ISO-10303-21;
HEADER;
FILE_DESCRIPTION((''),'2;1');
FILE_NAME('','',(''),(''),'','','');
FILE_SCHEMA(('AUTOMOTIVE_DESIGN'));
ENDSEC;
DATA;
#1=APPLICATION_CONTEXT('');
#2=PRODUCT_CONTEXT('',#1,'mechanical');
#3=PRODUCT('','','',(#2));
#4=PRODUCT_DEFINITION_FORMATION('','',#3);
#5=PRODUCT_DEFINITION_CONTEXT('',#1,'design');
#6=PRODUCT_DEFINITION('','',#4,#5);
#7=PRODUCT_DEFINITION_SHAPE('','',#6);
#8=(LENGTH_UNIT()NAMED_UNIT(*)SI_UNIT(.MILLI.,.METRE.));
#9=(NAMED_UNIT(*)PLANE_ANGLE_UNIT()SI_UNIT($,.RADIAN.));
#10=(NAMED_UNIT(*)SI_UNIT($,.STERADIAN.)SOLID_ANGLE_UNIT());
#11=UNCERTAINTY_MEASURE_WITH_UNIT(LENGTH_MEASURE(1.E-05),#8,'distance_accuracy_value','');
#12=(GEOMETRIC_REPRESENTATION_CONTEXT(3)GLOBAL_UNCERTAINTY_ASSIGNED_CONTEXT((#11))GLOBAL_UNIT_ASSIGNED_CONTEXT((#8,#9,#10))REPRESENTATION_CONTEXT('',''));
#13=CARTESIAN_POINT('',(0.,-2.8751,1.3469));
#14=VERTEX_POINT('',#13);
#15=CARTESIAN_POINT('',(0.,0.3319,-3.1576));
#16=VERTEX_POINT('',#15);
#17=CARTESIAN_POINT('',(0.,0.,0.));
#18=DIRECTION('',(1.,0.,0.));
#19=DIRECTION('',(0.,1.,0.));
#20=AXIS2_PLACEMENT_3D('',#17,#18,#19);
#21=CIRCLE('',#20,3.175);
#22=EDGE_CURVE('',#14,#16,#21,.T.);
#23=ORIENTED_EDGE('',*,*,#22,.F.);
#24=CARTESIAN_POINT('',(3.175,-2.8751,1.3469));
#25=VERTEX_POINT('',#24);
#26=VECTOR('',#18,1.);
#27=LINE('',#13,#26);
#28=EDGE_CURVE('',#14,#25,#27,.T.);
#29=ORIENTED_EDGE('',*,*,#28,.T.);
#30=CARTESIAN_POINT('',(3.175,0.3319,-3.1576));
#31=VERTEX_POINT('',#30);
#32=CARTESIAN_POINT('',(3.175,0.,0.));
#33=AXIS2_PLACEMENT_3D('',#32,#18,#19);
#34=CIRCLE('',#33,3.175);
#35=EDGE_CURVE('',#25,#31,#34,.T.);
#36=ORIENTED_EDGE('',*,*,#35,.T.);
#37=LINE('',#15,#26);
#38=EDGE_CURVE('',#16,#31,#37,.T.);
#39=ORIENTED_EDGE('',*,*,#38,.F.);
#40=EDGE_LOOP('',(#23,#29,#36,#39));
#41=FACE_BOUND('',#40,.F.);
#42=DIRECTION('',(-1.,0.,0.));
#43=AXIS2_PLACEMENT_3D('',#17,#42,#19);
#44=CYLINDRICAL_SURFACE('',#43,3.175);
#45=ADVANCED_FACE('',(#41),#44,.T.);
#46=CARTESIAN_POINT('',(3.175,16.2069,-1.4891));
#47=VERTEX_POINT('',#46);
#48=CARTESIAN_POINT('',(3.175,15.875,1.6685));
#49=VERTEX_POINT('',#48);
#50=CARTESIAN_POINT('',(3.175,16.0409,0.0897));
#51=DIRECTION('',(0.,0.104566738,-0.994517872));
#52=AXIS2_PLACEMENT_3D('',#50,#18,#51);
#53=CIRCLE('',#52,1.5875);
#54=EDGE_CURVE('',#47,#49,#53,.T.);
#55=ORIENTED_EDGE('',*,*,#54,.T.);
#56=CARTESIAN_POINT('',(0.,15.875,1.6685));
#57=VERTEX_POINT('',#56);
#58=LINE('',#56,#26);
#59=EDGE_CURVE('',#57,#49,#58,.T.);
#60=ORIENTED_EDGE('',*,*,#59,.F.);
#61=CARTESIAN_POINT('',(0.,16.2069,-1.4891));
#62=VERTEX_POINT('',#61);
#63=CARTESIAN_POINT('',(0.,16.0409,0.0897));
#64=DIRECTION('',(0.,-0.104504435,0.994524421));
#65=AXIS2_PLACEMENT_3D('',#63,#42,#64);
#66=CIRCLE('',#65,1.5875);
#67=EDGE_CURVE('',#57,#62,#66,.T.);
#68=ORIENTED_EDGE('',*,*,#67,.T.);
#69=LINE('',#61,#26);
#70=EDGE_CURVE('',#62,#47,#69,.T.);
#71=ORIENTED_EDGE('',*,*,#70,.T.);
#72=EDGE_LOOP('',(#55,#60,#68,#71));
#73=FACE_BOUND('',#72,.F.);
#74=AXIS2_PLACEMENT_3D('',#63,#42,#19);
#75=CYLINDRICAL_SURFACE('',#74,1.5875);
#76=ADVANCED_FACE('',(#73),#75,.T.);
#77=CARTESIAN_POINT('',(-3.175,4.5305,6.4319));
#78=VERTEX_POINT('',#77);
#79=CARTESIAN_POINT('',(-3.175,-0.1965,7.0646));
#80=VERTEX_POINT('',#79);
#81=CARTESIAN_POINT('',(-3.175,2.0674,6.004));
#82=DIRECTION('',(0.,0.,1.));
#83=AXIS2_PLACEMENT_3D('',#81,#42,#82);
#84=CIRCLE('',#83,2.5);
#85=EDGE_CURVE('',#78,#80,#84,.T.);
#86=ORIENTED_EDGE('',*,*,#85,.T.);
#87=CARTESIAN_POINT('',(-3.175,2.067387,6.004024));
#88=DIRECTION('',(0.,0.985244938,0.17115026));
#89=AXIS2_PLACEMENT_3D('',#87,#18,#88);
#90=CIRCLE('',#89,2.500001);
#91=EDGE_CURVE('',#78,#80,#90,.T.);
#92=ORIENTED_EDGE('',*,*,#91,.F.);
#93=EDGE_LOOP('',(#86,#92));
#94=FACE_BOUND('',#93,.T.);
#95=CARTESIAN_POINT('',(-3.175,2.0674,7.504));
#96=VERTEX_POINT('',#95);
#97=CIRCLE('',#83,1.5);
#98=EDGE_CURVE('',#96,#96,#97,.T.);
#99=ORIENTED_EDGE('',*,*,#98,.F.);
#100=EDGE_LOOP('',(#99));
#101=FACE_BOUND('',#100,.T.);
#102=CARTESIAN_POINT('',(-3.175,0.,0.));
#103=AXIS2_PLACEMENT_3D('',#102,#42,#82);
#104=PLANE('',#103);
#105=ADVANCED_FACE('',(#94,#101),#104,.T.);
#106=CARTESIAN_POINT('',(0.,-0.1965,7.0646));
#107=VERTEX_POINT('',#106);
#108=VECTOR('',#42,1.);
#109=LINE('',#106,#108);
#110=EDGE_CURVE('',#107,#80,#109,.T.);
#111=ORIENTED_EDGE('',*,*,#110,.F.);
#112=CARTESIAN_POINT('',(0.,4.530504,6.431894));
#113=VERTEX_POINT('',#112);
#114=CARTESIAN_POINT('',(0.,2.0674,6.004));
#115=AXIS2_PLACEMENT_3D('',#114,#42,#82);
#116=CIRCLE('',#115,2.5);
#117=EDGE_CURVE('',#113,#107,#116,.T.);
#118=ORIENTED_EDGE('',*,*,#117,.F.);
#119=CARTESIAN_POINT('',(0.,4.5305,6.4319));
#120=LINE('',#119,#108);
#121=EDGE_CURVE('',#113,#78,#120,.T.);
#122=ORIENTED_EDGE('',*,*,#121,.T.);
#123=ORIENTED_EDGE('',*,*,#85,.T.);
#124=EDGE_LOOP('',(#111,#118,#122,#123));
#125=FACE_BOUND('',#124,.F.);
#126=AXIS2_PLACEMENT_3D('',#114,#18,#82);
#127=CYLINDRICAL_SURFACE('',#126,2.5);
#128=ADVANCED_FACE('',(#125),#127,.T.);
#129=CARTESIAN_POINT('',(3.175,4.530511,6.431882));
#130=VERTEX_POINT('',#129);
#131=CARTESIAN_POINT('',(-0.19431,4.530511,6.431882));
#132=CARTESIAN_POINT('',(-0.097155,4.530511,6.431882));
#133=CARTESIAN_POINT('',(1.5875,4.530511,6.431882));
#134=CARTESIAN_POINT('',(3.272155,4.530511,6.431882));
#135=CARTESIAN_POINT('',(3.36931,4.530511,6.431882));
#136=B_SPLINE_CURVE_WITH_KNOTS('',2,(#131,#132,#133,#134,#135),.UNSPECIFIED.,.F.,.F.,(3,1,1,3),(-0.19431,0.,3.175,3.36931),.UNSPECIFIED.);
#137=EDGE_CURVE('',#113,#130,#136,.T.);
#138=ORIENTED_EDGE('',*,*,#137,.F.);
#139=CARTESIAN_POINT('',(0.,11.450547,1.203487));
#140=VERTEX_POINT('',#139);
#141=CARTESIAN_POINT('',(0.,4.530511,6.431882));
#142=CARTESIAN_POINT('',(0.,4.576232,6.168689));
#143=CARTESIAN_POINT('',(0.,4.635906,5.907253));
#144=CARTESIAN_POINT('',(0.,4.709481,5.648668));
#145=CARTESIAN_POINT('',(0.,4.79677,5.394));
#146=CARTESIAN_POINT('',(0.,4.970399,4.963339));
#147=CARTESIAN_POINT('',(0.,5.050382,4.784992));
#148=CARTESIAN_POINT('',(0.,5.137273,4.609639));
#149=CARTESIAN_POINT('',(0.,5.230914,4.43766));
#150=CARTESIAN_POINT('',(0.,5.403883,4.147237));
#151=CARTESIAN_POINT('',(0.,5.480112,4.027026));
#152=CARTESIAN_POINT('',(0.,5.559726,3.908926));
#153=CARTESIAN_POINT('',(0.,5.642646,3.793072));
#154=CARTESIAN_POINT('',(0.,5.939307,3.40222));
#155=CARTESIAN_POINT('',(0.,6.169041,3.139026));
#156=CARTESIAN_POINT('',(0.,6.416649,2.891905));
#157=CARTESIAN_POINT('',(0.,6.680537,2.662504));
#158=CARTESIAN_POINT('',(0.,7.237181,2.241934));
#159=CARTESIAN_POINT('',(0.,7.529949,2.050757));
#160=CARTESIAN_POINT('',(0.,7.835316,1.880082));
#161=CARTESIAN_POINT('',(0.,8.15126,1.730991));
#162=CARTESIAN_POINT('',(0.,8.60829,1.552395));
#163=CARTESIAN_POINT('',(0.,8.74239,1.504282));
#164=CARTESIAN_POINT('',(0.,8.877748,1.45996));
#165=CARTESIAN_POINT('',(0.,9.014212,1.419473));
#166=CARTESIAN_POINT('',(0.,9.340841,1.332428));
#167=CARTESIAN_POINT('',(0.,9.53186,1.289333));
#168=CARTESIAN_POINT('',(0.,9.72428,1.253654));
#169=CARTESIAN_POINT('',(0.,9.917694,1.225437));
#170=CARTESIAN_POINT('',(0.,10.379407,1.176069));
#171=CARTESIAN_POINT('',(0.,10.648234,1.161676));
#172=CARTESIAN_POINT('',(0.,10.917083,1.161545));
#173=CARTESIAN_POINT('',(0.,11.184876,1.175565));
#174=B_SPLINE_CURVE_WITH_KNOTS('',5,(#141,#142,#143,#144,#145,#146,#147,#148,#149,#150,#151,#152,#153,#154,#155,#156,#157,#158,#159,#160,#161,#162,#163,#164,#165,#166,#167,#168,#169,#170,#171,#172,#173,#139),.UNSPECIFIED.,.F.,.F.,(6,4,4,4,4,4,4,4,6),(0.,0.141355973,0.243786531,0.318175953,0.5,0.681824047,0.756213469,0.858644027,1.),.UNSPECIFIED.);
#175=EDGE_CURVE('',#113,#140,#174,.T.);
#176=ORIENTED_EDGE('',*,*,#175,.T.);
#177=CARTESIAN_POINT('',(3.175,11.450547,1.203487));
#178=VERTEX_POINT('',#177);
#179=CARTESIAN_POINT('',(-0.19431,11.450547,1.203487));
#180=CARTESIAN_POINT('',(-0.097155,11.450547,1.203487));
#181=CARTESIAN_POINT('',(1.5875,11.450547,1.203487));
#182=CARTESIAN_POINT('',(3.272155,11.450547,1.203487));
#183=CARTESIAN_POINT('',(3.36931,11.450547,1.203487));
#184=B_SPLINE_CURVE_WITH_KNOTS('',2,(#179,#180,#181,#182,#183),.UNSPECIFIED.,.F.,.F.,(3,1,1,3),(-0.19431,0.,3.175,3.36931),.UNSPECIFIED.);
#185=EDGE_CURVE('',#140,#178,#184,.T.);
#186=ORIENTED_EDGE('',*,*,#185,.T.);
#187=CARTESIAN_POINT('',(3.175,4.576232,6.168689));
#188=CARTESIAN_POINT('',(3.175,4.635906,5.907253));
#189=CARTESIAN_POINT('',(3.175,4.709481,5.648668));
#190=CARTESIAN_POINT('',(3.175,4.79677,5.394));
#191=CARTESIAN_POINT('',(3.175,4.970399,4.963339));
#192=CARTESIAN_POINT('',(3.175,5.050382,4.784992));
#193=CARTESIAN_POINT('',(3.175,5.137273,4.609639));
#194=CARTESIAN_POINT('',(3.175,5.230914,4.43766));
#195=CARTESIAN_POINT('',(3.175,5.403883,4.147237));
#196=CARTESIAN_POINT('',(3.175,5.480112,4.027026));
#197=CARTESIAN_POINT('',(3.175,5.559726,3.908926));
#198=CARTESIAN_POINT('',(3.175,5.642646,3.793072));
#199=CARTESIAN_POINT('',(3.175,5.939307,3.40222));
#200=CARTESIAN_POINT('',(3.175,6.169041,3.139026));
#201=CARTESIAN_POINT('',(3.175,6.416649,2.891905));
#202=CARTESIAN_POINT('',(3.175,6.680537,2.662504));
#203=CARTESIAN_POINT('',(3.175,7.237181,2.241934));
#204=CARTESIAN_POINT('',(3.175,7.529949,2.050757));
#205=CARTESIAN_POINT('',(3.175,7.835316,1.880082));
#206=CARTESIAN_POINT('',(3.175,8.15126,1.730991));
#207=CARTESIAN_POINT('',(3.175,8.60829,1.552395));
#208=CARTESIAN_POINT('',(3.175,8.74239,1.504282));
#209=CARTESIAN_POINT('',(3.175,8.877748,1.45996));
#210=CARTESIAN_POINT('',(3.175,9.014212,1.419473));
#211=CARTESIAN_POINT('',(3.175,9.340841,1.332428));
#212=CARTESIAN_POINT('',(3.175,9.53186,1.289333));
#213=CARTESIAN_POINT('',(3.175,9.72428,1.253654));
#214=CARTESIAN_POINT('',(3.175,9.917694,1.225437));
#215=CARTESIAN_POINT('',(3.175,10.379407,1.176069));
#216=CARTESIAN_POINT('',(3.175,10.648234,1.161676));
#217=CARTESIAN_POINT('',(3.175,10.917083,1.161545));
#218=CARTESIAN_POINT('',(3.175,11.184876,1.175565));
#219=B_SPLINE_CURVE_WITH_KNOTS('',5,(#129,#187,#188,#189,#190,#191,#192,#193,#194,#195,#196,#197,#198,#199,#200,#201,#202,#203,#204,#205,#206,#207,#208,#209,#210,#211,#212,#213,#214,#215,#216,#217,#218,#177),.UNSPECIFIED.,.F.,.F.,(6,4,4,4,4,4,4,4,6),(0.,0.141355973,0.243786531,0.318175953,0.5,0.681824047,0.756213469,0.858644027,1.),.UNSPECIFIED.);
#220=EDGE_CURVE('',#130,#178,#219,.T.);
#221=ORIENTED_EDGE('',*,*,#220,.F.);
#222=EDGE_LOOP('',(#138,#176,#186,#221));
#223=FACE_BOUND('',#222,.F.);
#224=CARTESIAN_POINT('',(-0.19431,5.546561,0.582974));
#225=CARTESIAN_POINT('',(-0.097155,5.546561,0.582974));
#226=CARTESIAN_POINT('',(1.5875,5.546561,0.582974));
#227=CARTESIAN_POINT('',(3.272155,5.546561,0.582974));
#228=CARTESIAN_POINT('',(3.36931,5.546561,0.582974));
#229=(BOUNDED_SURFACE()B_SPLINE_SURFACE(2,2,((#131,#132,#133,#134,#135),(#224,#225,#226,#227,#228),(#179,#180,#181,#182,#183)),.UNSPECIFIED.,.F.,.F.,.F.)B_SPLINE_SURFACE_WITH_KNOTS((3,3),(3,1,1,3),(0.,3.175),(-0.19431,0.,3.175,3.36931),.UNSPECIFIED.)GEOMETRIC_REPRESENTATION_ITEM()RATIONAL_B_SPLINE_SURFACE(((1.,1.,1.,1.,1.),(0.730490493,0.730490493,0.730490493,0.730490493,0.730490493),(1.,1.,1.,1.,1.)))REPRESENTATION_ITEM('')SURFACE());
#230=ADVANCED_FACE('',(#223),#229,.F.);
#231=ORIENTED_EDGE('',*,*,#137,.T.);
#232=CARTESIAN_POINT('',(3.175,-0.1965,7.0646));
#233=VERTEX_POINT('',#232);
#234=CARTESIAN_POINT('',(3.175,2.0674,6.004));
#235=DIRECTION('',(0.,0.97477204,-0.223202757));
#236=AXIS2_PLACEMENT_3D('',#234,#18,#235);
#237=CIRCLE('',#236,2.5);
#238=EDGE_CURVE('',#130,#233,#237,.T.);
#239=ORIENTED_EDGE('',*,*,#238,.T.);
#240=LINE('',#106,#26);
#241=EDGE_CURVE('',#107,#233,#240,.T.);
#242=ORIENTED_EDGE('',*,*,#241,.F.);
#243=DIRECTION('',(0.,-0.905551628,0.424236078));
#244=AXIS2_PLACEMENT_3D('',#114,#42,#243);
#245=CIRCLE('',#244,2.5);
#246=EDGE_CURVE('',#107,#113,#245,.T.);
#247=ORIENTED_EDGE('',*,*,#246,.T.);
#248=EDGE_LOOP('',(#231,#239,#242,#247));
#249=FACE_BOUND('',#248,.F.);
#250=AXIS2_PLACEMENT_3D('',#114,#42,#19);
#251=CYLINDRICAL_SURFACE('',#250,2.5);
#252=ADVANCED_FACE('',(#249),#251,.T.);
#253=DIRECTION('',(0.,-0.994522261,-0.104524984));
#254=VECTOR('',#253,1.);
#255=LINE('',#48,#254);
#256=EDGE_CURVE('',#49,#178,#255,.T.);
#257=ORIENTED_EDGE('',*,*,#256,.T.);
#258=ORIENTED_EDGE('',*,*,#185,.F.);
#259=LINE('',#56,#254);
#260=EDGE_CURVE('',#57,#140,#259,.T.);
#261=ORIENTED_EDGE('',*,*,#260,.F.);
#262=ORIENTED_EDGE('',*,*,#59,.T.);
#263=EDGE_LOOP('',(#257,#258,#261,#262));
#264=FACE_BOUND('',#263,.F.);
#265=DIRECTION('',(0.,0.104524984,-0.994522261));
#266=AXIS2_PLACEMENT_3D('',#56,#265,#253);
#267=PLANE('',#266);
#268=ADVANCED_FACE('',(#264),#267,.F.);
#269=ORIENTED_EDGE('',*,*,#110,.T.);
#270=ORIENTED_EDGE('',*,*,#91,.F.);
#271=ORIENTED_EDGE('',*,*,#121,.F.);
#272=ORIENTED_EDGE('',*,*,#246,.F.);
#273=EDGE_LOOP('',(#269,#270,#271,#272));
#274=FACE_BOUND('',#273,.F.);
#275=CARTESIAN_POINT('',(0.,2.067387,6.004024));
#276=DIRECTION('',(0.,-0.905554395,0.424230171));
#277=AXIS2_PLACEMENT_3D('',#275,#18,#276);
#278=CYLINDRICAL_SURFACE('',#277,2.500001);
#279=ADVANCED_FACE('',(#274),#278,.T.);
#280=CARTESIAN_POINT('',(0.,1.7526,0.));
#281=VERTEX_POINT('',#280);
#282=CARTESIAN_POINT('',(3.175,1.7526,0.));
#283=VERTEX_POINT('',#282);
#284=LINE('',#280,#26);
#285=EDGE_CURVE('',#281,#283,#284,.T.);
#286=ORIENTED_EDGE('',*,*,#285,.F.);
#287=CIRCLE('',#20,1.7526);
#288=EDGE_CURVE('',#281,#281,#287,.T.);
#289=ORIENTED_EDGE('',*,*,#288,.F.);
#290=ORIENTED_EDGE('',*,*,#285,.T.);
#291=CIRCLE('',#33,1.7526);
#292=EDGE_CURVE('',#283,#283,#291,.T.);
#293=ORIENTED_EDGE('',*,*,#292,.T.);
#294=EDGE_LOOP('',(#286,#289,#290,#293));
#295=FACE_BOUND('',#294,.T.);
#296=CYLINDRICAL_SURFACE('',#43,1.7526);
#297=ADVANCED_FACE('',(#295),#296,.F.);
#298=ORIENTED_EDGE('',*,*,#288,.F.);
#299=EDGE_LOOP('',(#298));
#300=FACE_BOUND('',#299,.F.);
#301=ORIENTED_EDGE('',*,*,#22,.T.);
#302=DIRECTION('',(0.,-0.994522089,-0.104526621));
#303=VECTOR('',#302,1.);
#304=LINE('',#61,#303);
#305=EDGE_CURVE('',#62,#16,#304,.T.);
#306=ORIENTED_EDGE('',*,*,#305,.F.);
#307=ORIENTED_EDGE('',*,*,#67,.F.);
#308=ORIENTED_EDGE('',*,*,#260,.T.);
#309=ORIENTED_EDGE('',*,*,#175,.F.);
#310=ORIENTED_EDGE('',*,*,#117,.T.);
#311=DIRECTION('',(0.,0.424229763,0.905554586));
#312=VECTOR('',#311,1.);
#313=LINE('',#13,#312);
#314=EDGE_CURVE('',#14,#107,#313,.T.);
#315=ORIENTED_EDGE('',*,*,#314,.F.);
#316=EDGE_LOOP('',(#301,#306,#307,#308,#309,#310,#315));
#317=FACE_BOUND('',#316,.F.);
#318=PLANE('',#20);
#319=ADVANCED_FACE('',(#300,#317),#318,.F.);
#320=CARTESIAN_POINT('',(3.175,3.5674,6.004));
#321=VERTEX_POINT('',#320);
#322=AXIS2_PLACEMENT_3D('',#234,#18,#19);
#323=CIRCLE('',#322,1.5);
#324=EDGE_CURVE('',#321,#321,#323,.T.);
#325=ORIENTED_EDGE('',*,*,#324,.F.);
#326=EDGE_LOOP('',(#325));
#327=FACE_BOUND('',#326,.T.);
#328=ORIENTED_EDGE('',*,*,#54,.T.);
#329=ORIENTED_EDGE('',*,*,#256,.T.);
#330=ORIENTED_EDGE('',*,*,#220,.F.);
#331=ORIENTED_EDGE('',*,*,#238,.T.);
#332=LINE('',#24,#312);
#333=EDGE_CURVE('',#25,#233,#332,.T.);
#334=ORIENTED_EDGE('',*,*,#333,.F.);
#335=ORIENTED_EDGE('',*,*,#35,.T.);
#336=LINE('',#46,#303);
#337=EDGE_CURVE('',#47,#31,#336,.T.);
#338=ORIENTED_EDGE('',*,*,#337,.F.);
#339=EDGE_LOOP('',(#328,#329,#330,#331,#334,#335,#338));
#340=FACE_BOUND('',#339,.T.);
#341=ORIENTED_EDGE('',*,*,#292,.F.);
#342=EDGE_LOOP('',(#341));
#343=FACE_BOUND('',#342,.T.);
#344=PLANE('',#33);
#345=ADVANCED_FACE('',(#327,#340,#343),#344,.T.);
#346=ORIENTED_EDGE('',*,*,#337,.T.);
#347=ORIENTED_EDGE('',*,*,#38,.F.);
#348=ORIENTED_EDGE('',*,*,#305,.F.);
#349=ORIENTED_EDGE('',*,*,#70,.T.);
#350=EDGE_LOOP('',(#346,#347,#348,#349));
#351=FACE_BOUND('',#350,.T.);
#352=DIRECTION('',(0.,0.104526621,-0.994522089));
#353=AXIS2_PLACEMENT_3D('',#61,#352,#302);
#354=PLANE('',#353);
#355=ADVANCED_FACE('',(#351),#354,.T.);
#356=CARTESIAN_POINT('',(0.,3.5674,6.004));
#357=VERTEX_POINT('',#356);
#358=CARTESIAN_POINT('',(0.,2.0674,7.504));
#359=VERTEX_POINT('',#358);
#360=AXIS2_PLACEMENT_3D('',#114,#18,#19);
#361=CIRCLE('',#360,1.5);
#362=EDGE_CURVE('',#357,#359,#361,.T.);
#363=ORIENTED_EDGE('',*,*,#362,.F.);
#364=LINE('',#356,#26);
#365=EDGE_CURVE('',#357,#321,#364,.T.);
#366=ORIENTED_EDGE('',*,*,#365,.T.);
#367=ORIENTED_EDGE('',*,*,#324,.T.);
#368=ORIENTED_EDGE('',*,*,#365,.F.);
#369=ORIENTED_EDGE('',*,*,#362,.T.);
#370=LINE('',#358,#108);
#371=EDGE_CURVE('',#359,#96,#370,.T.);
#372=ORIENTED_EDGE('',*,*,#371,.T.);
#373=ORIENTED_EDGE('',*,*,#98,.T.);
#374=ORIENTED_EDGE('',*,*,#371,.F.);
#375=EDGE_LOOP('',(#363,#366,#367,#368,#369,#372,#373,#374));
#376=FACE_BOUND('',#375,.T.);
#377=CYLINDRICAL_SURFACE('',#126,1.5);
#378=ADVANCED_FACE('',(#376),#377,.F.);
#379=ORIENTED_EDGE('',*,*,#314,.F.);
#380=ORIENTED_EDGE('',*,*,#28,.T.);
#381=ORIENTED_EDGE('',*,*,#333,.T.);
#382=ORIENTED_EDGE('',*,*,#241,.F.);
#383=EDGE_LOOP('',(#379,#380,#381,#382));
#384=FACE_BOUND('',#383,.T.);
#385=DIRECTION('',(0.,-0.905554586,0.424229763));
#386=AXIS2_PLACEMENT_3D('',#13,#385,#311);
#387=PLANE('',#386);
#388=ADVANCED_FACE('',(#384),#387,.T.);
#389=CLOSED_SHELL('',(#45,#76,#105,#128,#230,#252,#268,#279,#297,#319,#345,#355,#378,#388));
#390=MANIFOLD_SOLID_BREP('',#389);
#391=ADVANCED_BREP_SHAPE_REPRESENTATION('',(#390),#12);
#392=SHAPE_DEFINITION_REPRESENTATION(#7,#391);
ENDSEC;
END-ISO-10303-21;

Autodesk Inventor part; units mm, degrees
ref_plane "YZ Plane" through (0, 0, 0) normal (1, 0, 0) x (0, 1, 0)
ref_plane "XZ Plane" through (0, 0, 0) normal (0, 1, 0) x (-1, 0, 0)
ref_plane "XY Plane" through (0, 0, 0) normal (0, 0, 1) x (1, 0, 0)
sketch "Sketch1" plane through (0, 0, 0) normal (1, 0, 0) x (0, 1, 0)
  circle A0 centre (0, 0) radius 1.7526
  circle A1 centre (0, 0) radius 3.175
  circle A2 centre (2.0674, 6.004) radius 3.5 construction
  circle A3 centre (2.0674, 6.004) radius 1.5
  circle A4 centre (2.0674, 6.004) radius 2.5
  line L0 (-2.8751, 1.3469) -> (-0.1965, 7.0646)
  line L1 (0, 0) -> (15.875, 1.6685) construction
  line L2 (0, 0) -> (3.175, 0) construction
  line L3 (3.0949, -0.7087) -> (4.5043, 5.446)
  circle A5 centre (16.0409, 0.0897) radius 1.5875
  line L4 (15.875, 1.6685) -> (3.3375, 0.3508)
  line L5 (16.2069, -1.4891) -> (0.3319, -3.1576)
  line L6 (2.0674, 6.004) -> (0, 0) construction
  line L7 (2.0674, 6.004) -> (3.4856, 5.5157) construction
  line L8 (0, 0) -> (1.6571, -0.5706) construction
  dimension "d0" = 3.5052
  dimension "d7" = 3
  dimension "d1" = 6.35
  dimension "d4" = 7
  dimension "d8" = 5
  dimension "d9" = 6
  dimension "d10" = 15.875
  dimension "d11" = 3.175
  dimension "d15" = 6.35
  dimension "d16" = 65
extrude "Extrusion1" add sketch "Sketch1" along normal blind 3.175
fillet "Fillet1" radius 6.35 1 edges at (1.5875, 3.3375, 0.3508)
sketch "Sketch2" plane through (0, 0, 0) normal (-1, 0, 0) x (0, 0, 1)
  circle A0 centre (6.004, 2.0674) radius 1.5 projected
  arc A1 (7.0646, -0.1965) -> (6.4319, 4.5305) centre (6.004, 2.0674) ccw projected
  circle A2 centre (6.004, 2.0674) radius 2.5
  point P0 (0, 0)
  point P1 (7.0646, -0.1965)
extrude "Extrusion2" add sketch "Sketch2" along normal blind 3.175
properties part number "Lever" material "Aluminum 6061"
